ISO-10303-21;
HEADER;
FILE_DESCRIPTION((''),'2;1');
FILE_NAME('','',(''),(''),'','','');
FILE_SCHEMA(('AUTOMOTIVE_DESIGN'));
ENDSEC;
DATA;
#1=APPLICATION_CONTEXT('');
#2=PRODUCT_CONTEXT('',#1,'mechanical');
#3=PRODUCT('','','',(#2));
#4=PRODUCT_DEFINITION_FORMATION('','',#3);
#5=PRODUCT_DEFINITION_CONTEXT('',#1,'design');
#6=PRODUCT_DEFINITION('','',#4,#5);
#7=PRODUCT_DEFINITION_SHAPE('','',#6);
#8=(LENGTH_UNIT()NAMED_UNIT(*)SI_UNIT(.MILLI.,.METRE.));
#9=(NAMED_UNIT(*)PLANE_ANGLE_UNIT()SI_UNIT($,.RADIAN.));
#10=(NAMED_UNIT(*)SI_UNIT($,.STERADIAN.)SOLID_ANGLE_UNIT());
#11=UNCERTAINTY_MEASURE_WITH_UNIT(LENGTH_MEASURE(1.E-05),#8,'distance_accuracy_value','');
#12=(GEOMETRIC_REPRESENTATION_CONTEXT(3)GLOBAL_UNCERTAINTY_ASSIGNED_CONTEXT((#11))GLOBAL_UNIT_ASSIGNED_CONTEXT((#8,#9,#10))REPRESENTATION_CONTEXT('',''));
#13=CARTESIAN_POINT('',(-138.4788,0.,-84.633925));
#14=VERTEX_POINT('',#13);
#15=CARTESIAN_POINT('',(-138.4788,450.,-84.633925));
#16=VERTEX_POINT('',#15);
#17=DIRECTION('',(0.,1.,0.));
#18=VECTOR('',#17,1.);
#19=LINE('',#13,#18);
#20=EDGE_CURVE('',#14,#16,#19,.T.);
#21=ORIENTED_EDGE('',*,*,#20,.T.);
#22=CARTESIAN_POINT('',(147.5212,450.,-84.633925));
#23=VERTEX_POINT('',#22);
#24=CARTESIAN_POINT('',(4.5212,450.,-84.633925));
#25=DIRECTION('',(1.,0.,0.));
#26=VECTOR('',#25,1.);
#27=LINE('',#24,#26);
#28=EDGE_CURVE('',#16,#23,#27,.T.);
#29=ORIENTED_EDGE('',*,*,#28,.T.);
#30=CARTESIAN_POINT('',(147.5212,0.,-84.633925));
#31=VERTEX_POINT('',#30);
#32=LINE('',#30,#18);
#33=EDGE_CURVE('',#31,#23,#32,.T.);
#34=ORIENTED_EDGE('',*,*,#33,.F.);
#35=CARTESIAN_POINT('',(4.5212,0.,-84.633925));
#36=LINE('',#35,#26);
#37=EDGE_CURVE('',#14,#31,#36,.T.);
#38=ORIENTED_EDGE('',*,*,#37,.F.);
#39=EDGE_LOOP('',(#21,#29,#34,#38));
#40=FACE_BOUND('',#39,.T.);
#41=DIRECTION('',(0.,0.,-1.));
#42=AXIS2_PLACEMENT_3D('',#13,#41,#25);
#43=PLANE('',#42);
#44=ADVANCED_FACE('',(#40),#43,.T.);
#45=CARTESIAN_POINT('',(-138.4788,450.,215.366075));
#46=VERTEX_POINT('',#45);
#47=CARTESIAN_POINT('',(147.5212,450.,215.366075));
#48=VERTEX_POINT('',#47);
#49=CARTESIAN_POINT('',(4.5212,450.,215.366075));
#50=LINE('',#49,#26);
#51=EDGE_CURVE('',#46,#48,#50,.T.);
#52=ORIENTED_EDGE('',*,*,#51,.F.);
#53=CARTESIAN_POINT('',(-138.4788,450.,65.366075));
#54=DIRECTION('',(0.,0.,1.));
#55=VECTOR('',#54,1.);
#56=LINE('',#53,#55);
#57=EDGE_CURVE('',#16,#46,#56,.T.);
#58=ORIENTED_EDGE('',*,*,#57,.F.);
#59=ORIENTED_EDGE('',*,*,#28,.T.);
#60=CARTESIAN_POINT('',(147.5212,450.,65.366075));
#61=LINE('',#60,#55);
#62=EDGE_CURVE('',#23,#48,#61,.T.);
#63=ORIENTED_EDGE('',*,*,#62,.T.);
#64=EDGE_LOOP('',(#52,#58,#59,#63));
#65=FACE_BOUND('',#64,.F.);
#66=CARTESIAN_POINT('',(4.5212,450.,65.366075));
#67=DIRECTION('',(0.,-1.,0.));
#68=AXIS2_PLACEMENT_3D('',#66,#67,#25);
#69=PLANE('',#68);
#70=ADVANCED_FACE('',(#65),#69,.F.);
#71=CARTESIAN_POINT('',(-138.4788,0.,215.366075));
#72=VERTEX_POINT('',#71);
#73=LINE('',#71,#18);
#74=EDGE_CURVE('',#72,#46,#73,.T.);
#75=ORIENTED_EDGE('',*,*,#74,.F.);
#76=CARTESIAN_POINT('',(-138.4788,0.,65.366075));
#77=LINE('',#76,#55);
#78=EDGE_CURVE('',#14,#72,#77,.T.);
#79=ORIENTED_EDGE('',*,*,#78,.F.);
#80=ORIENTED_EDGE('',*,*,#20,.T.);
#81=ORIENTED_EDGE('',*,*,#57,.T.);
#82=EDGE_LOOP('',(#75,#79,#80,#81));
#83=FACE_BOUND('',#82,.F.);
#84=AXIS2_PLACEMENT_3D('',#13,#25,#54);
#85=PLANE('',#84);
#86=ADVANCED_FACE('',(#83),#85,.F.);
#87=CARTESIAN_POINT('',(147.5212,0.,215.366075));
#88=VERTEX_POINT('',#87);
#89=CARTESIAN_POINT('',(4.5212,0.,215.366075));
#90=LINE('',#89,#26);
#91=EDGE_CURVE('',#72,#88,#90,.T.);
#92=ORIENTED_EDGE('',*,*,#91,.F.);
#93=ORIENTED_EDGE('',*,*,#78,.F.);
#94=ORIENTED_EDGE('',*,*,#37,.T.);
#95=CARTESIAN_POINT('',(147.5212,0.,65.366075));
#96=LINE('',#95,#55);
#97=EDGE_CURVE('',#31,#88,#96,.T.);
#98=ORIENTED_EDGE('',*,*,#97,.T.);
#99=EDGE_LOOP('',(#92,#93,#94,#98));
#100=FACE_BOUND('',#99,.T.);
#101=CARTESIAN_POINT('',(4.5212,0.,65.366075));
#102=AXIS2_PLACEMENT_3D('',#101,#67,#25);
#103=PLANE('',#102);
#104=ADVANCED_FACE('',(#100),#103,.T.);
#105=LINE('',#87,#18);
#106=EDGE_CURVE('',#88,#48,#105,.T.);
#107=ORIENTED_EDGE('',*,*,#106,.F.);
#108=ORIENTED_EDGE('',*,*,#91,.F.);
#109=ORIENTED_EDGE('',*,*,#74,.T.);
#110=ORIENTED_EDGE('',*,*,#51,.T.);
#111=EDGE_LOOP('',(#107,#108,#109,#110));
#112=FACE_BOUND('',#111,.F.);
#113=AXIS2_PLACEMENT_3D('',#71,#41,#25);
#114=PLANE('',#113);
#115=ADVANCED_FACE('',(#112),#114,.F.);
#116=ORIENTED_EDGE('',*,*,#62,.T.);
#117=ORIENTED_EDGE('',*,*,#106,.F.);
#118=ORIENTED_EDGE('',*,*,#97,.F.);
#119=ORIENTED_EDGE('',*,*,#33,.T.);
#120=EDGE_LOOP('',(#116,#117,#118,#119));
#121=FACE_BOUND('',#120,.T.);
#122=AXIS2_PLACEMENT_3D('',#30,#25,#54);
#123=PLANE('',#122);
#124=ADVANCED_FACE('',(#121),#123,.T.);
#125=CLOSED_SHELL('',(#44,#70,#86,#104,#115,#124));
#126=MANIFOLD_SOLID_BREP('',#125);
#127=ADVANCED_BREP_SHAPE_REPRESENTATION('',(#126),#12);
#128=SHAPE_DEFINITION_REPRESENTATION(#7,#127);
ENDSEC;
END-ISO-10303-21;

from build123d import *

# Parameters (mm, degrees)
F0_W     = 286
F0_H     = 300
F1_DEPTH = 450
F2_W     = 256
F2_H     = 420
F3_DEPTH = 285


with BuildPart() as f1:
    # F0 (on Front) → F1 (new body)
    with BuildSketch(Plane.XZ):
        with Locations((4.5212, 65.366075)):
            Rectangle(F0_W, F0_H)
    extrude(amount=-F1_DEPTH)

    # F2 (on face) → F3 (join)
    with BuildSketch(Plane.XY.offset(215.366075)):
        with Locations((4.5212, 225)):
            Rectangle(F2_W, F2_H)
    extrude(amount=-F3_DEPTH)


solid = f1.part
